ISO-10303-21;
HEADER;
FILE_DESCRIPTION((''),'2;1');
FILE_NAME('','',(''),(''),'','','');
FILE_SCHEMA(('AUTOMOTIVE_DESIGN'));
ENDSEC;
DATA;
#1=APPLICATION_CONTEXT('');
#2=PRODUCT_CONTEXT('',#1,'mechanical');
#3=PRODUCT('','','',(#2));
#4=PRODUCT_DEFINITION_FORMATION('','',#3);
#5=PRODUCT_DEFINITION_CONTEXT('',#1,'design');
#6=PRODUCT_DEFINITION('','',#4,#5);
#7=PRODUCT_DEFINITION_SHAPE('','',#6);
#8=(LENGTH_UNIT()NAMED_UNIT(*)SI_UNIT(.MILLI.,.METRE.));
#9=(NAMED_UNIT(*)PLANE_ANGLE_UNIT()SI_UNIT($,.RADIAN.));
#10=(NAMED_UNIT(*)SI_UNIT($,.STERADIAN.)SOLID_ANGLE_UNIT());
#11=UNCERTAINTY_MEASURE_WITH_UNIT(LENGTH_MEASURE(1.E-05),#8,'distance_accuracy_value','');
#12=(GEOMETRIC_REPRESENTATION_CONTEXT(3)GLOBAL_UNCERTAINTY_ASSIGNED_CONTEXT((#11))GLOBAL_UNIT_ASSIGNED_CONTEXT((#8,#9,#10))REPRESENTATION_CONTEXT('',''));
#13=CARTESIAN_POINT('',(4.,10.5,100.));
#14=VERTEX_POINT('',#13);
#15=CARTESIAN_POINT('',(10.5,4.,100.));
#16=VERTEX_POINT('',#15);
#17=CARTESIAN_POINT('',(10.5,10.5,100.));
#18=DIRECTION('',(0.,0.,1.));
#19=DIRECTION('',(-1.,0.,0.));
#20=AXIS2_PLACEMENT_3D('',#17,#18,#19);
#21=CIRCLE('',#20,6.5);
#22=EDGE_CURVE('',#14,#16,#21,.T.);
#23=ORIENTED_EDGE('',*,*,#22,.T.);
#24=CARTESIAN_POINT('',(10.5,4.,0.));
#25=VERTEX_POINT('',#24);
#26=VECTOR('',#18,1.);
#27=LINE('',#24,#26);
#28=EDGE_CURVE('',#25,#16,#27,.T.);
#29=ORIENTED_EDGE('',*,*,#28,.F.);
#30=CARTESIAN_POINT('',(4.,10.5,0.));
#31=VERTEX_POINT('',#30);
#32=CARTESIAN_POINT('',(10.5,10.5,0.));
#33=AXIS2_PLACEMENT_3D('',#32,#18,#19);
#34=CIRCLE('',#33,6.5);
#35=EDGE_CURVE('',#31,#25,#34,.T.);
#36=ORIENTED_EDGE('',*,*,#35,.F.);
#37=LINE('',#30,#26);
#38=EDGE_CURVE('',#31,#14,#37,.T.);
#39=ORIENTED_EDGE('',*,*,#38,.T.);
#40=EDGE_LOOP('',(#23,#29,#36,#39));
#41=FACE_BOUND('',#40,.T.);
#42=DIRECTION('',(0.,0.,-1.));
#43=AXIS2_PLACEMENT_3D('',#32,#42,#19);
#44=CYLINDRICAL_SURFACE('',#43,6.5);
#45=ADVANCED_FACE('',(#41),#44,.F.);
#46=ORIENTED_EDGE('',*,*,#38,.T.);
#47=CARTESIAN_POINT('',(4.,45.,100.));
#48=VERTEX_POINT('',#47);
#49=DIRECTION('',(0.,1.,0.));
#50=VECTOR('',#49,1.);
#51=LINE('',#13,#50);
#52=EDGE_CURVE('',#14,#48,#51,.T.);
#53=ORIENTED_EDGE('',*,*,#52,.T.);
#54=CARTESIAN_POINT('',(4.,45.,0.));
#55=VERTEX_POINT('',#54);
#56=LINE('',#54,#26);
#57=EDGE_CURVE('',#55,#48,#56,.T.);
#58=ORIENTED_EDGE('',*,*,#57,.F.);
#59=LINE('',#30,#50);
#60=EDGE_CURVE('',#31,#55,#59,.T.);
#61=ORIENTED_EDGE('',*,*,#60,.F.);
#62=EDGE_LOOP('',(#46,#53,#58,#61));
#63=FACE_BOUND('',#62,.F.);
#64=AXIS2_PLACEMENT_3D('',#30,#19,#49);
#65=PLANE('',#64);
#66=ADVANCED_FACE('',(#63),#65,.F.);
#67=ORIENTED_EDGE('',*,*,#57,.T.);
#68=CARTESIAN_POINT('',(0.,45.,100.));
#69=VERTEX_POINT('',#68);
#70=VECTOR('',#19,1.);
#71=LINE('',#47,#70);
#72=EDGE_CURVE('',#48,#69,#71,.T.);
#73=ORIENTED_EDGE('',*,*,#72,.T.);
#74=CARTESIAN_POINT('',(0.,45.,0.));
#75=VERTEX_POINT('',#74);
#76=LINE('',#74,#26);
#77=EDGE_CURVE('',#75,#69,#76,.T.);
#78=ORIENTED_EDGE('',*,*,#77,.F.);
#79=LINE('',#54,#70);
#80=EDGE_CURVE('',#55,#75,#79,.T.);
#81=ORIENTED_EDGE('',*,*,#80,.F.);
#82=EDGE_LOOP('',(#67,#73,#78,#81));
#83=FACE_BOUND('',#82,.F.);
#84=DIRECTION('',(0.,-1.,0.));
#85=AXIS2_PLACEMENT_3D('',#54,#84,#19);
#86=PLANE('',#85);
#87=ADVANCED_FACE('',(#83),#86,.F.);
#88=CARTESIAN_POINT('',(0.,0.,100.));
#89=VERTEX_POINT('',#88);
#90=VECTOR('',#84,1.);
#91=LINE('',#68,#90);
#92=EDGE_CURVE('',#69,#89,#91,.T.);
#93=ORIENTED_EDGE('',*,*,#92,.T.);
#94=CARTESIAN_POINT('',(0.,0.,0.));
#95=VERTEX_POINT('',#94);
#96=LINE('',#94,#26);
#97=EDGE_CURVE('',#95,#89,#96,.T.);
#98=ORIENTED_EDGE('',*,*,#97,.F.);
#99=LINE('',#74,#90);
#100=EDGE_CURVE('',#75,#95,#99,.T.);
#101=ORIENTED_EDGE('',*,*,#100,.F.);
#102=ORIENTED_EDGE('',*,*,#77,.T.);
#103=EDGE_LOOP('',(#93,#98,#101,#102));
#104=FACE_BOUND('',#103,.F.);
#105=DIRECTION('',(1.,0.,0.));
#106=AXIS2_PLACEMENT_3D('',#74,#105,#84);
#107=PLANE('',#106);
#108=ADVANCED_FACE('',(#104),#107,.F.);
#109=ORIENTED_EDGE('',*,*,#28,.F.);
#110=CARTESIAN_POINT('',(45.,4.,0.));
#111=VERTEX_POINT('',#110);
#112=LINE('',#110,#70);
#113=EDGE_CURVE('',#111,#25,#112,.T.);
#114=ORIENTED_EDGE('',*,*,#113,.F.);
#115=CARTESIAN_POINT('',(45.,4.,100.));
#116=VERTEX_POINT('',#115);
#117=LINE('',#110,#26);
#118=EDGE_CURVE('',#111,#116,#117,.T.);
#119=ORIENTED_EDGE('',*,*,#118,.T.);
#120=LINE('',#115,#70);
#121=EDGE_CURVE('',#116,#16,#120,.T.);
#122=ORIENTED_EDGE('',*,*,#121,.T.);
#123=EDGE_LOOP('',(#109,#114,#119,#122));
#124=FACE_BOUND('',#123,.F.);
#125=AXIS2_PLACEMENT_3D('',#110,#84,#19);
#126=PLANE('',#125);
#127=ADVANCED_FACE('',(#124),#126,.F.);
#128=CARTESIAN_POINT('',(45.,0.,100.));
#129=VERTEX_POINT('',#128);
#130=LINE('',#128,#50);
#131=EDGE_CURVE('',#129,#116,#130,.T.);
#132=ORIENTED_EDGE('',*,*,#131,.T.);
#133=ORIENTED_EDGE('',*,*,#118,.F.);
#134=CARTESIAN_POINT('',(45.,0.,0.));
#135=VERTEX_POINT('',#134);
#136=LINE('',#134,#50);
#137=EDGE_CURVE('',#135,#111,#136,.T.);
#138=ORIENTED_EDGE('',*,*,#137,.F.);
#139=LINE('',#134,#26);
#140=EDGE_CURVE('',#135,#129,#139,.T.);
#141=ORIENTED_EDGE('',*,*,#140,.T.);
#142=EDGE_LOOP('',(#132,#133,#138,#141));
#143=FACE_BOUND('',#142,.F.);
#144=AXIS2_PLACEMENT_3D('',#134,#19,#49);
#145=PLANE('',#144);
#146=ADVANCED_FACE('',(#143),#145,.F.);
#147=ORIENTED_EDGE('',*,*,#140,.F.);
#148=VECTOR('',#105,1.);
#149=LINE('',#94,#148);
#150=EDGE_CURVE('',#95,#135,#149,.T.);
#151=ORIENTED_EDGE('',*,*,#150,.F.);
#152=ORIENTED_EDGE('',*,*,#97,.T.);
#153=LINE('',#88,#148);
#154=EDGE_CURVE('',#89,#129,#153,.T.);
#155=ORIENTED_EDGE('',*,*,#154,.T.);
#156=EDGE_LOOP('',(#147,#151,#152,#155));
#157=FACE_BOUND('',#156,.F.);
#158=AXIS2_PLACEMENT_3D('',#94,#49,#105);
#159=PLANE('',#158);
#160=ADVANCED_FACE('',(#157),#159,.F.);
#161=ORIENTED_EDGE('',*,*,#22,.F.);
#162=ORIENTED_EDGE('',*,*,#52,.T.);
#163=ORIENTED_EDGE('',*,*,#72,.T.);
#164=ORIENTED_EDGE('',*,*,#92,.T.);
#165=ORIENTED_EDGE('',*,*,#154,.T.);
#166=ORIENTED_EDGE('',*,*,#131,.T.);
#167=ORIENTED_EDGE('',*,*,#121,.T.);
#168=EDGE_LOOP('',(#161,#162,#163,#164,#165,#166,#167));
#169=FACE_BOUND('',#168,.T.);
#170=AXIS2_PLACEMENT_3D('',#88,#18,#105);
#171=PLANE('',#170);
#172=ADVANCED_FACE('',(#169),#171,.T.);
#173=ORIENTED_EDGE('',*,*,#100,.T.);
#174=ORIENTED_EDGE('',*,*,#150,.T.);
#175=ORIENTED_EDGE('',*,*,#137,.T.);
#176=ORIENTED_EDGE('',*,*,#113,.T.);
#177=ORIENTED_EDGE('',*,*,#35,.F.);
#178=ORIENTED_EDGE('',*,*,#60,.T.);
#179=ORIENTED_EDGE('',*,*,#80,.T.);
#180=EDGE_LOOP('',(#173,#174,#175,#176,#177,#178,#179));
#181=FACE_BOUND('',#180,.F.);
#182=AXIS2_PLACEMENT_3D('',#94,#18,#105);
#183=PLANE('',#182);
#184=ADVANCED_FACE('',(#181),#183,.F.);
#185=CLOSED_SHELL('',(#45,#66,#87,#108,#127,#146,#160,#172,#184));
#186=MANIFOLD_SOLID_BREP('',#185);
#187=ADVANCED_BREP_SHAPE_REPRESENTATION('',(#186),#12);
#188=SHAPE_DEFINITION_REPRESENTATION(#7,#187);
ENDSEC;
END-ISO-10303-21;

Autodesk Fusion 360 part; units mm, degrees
sketch "スケッチ1" plane through (0, 0, 0) normal (0, 0, 1) x (1, 0, 0)
  line L0 (0, 45) -> (0, 0)
  line L1 (4, 10.5) -> (4, 45)
  line L2 (45, 4) -> (10.5, 4)
  line L3 (0, 0) -> (45, 0)
  arc A0 (4, 10.5) -> (10.5, 4) centre (10.5, 10.5) ccw
  line L4 (45, 0) -> (45, 4)
  line L5 (4, 45) -> (0, 45)
extrude "押し出し1" add sketch "スケッチ1" along normal blind 100
